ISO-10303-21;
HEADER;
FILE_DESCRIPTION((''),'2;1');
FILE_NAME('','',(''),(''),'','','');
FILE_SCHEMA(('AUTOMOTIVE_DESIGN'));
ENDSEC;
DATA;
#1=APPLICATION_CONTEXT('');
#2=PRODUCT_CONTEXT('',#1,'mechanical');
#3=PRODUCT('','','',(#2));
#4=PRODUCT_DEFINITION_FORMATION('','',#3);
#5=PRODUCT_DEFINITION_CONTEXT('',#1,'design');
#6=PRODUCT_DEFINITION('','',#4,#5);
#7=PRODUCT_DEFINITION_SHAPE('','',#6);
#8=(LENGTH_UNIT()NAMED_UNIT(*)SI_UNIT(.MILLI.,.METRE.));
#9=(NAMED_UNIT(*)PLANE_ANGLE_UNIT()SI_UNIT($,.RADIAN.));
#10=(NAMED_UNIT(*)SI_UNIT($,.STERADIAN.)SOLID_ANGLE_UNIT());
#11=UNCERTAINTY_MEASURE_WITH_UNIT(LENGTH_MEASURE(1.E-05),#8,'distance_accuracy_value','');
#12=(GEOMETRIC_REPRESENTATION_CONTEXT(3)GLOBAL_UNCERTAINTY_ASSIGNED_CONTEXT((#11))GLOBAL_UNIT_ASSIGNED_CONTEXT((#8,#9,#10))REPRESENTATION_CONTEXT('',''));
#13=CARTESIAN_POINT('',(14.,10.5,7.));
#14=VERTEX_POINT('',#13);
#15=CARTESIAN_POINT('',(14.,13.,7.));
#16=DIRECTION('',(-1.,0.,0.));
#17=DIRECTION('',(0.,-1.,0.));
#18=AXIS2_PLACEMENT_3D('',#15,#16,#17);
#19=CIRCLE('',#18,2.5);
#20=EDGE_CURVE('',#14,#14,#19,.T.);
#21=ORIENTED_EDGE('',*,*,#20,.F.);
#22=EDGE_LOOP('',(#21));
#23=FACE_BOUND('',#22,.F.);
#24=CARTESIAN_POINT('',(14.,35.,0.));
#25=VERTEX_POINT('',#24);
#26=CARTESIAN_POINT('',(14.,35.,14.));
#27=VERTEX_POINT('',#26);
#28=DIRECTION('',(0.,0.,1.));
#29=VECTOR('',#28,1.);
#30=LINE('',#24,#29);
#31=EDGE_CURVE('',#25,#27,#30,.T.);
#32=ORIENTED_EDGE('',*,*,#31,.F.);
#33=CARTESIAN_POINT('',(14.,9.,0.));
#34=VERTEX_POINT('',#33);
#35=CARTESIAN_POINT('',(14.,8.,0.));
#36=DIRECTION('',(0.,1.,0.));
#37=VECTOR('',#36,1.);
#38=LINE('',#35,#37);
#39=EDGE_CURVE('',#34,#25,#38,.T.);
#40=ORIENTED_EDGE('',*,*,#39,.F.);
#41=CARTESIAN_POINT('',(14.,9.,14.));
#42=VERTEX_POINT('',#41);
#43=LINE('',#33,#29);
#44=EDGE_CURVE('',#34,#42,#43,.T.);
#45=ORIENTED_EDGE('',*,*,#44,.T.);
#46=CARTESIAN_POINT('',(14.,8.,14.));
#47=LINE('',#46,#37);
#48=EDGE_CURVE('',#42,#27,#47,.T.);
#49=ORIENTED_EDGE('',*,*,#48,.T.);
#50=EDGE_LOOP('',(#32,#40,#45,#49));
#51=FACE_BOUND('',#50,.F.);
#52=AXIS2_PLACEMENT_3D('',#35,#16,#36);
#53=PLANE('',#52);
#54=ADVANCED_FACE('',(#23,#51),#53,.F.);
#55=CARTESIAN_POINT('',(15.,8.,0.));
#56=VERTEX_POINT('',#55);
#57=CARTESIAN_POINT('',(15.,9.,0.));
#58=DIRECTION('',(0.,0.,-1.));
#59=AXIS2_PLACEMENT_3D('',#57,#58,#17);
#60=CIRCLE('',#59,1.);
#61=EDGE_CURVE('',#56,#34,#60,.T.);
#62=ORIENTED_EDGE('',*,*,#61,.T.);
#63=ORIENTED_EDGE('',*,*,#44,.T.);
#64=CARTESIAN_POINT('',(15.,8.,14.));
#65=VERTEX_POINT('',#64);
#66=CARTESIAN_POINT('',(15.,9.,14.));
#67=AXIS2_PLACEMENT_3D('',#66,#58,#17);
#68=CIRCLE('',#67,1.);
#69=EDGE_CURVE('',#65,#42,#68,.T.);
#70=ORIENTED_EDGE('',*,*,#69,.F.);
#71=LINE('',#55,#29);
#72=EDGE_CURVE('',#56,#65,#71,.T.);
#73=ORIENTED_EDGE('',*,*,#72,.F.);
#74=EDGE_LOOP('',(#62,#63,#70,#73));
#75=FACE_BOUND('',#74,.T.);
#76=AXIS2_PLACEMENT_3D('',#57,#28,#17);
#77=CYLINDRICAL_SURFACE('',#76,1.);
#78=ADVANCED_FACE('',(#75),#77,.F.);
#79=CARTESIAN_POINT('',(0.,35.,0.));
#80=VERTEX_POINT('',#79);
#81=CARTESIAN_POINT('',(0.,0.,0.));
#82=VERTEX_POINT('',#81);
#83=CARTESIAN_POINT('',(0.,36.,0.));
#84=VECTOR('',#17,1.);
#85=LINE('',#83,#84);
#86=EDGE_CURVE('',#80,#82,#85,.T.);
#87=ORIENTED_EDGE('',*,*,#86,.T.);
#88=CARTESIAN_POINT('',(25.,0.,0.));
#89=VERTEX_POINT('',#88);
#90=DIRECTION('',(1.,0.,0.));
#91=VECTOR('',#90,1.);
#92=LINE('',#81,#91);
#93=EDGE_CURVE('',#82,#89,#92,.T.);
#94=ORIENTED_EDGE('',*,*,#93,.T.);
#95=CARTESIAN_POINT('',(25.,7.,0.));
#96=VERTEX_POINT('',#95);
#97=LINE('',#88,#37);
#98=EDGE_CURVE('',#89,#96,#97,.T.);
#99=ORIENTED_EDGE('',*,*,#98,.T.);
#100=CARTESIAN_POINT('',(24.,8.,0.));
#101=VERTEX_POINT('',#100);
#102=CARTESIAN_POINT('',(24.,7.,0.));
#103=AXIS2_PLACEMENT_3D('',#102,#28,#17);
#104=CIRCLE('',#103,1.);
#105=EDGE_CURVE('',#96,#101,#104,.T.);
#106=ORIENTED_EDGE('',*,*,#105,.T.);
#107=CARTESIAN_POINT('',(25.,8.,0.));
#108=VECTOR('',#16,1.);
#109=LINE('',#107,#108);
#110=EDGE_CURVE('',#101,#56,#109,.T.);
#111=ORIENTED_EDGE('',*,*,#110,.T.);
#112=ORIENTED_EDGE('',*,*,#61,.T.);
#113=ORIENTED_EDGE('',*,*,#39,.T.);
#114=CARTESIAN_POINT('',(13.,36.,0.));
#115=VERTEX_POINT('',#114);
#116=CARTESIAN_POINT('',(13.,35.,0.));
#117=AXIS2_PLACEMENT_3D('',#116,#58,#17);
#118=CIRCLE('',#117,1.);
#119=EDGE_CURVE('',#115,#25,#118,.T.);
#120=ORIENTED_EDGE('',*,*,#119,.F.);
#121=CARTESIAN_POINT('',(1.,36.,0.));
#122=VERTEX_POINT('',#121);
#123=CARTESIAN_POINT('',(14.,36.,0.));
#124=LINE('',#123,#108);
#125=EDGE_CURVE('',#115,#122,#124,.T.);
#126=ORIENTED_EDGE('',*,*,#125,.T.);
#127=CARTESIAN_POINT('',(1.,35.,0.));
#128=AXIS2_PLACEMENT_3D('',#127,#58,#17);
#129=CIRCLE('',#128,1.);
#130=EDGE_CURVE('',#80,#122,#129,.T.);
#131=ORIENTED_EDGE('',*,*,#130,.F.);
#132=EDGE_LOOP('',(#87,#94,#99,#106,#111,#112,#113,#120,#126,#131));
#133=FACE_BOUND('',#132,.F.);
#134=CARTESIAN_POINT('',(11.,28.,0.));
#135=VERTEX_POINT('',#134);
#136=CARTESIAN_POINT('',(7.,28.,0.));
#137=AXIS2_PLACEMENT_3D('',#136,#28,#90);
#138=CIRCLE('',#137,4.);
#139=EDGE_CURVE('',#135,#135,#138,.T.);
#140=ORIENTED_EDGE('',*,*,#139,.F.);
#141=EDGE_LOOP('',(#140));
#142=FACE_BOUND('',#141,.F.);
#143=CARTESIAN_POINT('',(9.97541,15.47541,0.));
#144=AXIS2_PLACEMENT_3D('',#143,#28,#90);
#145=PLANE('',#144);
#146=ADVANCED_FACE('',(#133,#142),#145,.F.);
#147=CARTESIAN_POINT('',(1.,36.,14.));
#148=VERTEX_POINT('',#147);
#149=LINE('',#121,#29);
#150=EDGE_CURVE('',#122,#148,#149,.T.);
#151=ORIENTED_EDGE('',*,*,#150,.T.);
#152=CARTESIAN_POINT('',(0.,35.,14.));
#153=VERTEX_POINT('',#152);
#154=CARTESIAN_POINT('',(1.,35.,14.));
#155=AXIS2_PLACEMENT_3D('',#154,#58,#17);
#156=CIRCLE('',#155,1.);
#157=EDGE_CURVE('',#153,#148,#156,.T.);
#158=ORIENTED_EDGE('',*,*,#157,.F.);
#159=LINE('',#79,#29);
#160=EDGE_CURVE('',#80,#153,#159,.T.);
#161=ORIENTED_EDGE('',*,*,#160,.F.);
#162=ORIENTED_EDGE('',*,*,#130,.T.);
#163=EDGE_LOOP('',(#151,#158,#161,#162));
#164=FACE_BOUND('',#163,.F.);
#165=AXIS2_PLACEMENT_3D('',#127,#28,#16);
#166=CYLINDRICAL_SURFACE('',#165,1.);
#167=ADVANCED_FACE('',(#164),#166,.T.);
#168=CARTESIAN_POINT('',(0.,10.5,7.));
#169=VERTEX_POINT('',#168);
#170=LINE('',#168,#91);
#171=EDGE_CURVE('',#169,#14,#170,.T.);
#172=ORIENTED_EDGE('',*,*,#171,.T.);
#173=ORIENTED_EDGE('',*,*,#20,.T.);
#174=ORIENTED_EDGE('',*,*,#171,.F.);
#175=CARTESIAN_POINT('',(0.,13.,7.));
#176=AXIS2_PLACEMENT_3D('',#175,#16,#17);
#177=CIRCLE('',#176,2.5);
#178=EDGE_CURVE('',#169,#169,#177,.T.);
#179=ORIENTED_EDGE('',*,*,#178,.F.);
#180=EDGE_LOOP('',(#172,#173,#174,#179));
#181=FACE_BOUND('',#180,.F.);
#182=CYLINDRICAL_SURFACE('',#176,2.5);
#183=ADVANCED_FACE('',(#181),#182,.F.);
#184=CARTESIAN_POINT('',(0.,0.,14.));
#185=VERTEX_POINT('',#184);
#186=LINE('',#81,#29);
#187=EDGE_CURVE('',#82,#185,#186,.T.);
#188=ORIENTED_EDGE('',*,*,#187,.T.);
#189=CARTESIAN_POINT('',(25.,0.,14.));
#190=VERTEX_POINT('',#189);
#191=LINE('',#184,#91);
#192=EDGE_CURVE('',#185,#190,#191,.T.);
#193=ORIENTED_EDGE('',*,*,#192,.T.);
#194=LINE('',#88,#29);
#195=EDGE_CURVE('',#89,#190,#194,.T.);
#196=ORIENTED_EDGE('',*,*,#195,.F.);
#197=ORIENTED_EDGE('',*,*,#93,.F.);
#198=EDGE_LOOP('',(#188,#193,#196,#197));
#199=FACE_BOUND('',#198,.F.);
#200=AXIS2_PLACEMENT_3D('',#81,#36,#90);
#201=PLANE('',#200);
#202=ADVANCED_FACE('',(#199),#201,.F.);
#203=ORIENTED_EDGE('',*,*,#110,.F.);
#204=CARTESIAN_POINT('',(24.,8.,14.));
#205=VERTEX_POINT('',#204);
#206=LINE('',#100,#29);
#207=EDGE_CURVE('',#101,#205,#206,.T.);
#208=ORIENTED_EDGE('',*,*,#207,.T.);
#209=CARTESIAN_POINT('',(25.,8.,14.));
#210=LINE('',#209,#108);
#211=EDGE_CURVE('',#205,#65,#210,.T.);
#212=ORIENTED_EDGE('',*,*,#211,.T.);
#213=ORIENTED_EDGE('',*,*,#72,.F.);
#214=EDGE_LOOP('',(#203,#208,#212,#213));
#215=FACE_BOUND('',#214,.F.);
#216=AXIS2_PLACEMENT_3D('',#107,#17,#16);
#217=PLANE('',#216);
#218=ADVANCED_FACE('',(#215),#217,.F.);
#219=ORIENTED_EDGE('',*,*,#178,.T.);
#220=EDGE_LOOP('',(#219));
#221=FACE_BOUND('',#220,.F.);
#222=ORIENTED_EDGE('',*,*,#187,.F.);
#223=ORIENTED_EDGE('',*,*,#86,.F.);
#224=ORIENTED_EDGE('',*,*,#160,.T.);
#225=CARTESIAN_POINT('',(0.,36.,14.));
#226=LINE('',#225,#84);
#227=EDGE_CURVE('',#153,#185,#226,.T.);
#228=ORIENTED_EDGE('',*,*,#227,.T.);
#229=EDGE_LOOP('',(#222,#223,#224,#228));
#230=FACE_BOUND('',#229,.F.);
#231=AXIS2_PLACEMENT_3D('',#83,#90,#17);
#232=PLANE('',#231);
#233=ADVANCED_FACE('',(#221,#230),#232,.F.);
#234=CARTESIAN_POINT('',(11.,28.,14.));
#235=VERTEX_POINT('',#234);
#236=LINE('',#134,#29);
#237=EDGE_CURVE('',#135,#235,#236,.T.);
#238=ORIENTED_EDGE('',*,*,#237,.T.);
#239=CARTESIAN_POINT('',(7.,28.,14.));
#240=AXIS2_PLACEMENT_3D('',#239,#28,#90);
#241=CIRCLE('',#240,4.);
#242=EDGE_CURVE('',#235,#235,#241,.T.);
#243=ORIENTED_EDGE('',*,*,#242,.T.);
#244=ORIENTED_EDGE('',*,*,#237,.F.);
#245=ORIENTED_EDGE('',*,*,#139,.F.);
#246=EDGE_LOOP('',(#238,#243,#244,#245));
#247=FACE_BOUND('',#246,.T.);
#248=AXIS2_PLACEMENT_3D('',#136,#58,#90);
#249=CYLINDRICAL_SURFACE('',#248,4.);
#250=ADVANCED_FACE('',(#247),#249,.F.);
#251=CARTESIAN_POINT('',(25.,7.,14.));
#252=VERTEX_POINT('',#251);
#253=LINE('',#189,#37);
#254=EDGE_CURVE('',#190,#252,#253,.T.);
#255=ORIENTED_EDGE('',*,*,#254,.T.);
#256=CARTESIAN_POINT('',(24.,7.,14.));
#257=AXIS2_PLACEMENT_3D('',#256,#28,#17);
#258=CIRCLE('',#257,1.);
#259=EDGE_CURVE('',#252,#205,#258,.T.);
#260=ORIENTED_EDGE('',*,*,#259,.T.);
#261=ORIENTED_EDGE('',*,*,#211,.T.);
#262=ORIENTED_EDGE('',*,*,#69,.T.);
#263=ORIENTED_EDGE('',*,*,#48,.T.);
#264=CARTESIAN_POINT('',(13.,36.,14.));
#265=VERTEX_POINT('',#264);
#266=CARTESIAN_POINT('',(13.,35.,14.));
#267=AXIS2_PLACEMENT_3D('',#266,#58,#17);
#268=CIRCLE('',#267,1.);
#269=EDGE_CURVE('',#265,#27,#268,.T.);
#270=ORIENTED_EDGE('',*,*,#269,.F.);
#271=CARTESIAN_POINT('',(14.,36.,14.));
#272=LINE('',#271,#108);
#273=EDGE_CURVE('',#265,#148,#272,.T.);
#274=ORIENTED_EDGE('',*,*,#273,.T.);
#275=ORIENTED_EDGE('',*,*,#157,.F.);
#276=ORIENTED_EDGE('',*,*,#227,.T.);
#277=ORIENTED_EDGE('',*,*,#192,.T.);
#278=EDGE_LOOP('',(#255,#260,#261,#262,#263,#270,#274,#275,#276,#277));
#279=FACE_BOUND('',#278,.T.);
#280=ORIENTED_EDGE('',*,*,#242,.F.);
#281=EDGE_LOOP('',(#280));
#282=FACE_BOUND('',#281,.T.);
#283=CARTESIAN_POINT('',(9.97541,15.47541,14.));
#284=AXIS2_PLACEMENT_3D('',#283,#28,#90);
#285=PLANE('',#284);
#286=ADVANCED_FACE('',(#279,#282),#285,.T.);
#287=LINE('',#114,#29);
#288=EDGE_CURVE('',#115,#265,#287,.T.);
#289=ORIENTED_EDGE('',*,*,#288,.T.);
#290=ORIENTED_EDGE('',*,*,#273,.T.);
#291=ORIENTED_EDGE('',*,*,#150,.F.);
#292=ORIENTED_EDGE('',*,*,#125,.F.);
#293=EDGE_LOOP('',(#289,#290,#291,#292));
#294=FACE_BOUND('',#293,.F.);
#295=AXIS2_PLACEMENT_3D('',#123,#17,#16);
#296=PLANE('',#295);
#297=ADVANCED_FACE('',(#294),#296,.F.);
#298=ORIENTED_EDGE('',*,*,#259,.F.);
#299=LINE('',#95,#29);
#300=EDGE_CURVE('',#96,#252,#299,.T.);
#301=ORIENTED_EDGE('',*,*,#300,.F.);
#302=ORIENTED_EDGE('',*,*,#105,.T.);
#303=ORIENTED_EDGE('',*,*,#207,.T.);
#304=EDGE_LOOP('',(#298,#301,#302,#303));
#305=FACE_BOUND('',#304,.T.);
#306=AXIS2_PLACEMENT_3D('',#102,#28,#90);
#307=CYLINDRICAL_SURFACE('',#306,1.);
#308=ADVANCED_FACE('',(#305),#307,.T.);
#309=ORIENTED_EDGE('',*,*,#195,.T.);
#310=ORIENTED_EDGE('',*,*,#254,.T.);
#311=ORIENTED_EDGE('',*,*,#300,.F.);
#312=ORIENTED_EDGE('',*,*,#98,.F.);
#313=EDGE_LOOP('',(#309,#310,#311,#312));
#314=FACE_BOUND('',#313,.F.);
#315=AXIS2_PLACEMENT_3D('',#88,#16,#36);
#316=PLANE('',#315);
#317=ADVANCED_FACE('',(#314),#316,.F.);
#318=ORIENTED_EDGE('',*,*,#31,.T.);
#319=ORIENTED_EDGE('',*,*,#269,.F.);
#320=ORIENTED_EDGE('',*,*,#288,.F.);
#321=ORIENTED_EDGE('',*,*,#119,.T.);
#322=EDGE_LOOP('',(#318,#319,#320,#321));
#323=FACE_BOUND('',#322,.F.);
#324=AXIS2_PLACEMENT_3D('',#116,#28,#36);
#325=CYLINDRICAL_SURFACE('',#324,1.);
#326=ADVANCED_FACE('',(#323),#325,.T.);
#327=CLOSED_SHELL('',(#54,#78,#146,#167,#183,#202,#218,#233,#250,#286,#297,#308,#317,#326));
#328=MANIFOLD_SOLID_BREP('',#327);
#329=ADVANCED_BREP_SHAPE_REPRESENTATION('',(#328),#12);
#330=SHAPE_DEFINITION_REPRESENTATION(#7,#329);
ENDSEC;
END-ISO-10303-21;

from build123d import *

# Parameters (mm, degrees)
SKETCH_R    = 4
PAD_DEPTH   = 14
SKETCH001_R = 2.5
HOLE_DEPTH  = 25
HOLE_TIPS_R = 2.5
FILLET_R    = 1


with BuildPart() as part:
    # Sketch → Pad (new body)
    with BuildSketch(Plane.XY):
        Polygon((0, 0), (25, 0), (25, 8), (14, 8), (14, 36), (0, 36), align=None)
        with Locations((7, 28)):
            Circle(SKETCH_R, mode=Mode.SUBTRACT)
    extrude(amount=PAD_DEPTH)

    # Sketch001 (on Face6 of Pad) → Hole (cut)
    with BuildSketch(Plane(origin=(0, 0, 0), x_dir=(0, -1, 0), z_dir=(-1, 0, 0))):
        with Locations((-13, 7)):
            Circle(SKETCH001_R)
    extrude(amount=-HOLE_DEPTH, mode=Mode.SUBTRACT)

    # Hole tips → Hole tip 1 section 0
    with BuildSketch(Plane(origin=(25, 0, 0), x_dir=(0, -1, 0), z_dir=(-1, 0, 0)), mode=Mode.PRIVATE) as hole_tip_1_s0:
        with Locations((-13, 7)):
            Circle(HOLE_TIPS_R)
    loft([hole_tip_1_s0.sketch, Vertex(26.502152, 13, 7)], mode=Mode.SUBTRACT)

    # Fillet
    fillet_edges = [part.edges().sort_by_distance(p)[0] for p in [
        (14, 8, 7),
        (14, 36, 7),
        (0, 36, 7),
        (25, 8, 7),
    ]]
    fillet(fillet_edges, radius=FILLET_R)


solid = part.part
